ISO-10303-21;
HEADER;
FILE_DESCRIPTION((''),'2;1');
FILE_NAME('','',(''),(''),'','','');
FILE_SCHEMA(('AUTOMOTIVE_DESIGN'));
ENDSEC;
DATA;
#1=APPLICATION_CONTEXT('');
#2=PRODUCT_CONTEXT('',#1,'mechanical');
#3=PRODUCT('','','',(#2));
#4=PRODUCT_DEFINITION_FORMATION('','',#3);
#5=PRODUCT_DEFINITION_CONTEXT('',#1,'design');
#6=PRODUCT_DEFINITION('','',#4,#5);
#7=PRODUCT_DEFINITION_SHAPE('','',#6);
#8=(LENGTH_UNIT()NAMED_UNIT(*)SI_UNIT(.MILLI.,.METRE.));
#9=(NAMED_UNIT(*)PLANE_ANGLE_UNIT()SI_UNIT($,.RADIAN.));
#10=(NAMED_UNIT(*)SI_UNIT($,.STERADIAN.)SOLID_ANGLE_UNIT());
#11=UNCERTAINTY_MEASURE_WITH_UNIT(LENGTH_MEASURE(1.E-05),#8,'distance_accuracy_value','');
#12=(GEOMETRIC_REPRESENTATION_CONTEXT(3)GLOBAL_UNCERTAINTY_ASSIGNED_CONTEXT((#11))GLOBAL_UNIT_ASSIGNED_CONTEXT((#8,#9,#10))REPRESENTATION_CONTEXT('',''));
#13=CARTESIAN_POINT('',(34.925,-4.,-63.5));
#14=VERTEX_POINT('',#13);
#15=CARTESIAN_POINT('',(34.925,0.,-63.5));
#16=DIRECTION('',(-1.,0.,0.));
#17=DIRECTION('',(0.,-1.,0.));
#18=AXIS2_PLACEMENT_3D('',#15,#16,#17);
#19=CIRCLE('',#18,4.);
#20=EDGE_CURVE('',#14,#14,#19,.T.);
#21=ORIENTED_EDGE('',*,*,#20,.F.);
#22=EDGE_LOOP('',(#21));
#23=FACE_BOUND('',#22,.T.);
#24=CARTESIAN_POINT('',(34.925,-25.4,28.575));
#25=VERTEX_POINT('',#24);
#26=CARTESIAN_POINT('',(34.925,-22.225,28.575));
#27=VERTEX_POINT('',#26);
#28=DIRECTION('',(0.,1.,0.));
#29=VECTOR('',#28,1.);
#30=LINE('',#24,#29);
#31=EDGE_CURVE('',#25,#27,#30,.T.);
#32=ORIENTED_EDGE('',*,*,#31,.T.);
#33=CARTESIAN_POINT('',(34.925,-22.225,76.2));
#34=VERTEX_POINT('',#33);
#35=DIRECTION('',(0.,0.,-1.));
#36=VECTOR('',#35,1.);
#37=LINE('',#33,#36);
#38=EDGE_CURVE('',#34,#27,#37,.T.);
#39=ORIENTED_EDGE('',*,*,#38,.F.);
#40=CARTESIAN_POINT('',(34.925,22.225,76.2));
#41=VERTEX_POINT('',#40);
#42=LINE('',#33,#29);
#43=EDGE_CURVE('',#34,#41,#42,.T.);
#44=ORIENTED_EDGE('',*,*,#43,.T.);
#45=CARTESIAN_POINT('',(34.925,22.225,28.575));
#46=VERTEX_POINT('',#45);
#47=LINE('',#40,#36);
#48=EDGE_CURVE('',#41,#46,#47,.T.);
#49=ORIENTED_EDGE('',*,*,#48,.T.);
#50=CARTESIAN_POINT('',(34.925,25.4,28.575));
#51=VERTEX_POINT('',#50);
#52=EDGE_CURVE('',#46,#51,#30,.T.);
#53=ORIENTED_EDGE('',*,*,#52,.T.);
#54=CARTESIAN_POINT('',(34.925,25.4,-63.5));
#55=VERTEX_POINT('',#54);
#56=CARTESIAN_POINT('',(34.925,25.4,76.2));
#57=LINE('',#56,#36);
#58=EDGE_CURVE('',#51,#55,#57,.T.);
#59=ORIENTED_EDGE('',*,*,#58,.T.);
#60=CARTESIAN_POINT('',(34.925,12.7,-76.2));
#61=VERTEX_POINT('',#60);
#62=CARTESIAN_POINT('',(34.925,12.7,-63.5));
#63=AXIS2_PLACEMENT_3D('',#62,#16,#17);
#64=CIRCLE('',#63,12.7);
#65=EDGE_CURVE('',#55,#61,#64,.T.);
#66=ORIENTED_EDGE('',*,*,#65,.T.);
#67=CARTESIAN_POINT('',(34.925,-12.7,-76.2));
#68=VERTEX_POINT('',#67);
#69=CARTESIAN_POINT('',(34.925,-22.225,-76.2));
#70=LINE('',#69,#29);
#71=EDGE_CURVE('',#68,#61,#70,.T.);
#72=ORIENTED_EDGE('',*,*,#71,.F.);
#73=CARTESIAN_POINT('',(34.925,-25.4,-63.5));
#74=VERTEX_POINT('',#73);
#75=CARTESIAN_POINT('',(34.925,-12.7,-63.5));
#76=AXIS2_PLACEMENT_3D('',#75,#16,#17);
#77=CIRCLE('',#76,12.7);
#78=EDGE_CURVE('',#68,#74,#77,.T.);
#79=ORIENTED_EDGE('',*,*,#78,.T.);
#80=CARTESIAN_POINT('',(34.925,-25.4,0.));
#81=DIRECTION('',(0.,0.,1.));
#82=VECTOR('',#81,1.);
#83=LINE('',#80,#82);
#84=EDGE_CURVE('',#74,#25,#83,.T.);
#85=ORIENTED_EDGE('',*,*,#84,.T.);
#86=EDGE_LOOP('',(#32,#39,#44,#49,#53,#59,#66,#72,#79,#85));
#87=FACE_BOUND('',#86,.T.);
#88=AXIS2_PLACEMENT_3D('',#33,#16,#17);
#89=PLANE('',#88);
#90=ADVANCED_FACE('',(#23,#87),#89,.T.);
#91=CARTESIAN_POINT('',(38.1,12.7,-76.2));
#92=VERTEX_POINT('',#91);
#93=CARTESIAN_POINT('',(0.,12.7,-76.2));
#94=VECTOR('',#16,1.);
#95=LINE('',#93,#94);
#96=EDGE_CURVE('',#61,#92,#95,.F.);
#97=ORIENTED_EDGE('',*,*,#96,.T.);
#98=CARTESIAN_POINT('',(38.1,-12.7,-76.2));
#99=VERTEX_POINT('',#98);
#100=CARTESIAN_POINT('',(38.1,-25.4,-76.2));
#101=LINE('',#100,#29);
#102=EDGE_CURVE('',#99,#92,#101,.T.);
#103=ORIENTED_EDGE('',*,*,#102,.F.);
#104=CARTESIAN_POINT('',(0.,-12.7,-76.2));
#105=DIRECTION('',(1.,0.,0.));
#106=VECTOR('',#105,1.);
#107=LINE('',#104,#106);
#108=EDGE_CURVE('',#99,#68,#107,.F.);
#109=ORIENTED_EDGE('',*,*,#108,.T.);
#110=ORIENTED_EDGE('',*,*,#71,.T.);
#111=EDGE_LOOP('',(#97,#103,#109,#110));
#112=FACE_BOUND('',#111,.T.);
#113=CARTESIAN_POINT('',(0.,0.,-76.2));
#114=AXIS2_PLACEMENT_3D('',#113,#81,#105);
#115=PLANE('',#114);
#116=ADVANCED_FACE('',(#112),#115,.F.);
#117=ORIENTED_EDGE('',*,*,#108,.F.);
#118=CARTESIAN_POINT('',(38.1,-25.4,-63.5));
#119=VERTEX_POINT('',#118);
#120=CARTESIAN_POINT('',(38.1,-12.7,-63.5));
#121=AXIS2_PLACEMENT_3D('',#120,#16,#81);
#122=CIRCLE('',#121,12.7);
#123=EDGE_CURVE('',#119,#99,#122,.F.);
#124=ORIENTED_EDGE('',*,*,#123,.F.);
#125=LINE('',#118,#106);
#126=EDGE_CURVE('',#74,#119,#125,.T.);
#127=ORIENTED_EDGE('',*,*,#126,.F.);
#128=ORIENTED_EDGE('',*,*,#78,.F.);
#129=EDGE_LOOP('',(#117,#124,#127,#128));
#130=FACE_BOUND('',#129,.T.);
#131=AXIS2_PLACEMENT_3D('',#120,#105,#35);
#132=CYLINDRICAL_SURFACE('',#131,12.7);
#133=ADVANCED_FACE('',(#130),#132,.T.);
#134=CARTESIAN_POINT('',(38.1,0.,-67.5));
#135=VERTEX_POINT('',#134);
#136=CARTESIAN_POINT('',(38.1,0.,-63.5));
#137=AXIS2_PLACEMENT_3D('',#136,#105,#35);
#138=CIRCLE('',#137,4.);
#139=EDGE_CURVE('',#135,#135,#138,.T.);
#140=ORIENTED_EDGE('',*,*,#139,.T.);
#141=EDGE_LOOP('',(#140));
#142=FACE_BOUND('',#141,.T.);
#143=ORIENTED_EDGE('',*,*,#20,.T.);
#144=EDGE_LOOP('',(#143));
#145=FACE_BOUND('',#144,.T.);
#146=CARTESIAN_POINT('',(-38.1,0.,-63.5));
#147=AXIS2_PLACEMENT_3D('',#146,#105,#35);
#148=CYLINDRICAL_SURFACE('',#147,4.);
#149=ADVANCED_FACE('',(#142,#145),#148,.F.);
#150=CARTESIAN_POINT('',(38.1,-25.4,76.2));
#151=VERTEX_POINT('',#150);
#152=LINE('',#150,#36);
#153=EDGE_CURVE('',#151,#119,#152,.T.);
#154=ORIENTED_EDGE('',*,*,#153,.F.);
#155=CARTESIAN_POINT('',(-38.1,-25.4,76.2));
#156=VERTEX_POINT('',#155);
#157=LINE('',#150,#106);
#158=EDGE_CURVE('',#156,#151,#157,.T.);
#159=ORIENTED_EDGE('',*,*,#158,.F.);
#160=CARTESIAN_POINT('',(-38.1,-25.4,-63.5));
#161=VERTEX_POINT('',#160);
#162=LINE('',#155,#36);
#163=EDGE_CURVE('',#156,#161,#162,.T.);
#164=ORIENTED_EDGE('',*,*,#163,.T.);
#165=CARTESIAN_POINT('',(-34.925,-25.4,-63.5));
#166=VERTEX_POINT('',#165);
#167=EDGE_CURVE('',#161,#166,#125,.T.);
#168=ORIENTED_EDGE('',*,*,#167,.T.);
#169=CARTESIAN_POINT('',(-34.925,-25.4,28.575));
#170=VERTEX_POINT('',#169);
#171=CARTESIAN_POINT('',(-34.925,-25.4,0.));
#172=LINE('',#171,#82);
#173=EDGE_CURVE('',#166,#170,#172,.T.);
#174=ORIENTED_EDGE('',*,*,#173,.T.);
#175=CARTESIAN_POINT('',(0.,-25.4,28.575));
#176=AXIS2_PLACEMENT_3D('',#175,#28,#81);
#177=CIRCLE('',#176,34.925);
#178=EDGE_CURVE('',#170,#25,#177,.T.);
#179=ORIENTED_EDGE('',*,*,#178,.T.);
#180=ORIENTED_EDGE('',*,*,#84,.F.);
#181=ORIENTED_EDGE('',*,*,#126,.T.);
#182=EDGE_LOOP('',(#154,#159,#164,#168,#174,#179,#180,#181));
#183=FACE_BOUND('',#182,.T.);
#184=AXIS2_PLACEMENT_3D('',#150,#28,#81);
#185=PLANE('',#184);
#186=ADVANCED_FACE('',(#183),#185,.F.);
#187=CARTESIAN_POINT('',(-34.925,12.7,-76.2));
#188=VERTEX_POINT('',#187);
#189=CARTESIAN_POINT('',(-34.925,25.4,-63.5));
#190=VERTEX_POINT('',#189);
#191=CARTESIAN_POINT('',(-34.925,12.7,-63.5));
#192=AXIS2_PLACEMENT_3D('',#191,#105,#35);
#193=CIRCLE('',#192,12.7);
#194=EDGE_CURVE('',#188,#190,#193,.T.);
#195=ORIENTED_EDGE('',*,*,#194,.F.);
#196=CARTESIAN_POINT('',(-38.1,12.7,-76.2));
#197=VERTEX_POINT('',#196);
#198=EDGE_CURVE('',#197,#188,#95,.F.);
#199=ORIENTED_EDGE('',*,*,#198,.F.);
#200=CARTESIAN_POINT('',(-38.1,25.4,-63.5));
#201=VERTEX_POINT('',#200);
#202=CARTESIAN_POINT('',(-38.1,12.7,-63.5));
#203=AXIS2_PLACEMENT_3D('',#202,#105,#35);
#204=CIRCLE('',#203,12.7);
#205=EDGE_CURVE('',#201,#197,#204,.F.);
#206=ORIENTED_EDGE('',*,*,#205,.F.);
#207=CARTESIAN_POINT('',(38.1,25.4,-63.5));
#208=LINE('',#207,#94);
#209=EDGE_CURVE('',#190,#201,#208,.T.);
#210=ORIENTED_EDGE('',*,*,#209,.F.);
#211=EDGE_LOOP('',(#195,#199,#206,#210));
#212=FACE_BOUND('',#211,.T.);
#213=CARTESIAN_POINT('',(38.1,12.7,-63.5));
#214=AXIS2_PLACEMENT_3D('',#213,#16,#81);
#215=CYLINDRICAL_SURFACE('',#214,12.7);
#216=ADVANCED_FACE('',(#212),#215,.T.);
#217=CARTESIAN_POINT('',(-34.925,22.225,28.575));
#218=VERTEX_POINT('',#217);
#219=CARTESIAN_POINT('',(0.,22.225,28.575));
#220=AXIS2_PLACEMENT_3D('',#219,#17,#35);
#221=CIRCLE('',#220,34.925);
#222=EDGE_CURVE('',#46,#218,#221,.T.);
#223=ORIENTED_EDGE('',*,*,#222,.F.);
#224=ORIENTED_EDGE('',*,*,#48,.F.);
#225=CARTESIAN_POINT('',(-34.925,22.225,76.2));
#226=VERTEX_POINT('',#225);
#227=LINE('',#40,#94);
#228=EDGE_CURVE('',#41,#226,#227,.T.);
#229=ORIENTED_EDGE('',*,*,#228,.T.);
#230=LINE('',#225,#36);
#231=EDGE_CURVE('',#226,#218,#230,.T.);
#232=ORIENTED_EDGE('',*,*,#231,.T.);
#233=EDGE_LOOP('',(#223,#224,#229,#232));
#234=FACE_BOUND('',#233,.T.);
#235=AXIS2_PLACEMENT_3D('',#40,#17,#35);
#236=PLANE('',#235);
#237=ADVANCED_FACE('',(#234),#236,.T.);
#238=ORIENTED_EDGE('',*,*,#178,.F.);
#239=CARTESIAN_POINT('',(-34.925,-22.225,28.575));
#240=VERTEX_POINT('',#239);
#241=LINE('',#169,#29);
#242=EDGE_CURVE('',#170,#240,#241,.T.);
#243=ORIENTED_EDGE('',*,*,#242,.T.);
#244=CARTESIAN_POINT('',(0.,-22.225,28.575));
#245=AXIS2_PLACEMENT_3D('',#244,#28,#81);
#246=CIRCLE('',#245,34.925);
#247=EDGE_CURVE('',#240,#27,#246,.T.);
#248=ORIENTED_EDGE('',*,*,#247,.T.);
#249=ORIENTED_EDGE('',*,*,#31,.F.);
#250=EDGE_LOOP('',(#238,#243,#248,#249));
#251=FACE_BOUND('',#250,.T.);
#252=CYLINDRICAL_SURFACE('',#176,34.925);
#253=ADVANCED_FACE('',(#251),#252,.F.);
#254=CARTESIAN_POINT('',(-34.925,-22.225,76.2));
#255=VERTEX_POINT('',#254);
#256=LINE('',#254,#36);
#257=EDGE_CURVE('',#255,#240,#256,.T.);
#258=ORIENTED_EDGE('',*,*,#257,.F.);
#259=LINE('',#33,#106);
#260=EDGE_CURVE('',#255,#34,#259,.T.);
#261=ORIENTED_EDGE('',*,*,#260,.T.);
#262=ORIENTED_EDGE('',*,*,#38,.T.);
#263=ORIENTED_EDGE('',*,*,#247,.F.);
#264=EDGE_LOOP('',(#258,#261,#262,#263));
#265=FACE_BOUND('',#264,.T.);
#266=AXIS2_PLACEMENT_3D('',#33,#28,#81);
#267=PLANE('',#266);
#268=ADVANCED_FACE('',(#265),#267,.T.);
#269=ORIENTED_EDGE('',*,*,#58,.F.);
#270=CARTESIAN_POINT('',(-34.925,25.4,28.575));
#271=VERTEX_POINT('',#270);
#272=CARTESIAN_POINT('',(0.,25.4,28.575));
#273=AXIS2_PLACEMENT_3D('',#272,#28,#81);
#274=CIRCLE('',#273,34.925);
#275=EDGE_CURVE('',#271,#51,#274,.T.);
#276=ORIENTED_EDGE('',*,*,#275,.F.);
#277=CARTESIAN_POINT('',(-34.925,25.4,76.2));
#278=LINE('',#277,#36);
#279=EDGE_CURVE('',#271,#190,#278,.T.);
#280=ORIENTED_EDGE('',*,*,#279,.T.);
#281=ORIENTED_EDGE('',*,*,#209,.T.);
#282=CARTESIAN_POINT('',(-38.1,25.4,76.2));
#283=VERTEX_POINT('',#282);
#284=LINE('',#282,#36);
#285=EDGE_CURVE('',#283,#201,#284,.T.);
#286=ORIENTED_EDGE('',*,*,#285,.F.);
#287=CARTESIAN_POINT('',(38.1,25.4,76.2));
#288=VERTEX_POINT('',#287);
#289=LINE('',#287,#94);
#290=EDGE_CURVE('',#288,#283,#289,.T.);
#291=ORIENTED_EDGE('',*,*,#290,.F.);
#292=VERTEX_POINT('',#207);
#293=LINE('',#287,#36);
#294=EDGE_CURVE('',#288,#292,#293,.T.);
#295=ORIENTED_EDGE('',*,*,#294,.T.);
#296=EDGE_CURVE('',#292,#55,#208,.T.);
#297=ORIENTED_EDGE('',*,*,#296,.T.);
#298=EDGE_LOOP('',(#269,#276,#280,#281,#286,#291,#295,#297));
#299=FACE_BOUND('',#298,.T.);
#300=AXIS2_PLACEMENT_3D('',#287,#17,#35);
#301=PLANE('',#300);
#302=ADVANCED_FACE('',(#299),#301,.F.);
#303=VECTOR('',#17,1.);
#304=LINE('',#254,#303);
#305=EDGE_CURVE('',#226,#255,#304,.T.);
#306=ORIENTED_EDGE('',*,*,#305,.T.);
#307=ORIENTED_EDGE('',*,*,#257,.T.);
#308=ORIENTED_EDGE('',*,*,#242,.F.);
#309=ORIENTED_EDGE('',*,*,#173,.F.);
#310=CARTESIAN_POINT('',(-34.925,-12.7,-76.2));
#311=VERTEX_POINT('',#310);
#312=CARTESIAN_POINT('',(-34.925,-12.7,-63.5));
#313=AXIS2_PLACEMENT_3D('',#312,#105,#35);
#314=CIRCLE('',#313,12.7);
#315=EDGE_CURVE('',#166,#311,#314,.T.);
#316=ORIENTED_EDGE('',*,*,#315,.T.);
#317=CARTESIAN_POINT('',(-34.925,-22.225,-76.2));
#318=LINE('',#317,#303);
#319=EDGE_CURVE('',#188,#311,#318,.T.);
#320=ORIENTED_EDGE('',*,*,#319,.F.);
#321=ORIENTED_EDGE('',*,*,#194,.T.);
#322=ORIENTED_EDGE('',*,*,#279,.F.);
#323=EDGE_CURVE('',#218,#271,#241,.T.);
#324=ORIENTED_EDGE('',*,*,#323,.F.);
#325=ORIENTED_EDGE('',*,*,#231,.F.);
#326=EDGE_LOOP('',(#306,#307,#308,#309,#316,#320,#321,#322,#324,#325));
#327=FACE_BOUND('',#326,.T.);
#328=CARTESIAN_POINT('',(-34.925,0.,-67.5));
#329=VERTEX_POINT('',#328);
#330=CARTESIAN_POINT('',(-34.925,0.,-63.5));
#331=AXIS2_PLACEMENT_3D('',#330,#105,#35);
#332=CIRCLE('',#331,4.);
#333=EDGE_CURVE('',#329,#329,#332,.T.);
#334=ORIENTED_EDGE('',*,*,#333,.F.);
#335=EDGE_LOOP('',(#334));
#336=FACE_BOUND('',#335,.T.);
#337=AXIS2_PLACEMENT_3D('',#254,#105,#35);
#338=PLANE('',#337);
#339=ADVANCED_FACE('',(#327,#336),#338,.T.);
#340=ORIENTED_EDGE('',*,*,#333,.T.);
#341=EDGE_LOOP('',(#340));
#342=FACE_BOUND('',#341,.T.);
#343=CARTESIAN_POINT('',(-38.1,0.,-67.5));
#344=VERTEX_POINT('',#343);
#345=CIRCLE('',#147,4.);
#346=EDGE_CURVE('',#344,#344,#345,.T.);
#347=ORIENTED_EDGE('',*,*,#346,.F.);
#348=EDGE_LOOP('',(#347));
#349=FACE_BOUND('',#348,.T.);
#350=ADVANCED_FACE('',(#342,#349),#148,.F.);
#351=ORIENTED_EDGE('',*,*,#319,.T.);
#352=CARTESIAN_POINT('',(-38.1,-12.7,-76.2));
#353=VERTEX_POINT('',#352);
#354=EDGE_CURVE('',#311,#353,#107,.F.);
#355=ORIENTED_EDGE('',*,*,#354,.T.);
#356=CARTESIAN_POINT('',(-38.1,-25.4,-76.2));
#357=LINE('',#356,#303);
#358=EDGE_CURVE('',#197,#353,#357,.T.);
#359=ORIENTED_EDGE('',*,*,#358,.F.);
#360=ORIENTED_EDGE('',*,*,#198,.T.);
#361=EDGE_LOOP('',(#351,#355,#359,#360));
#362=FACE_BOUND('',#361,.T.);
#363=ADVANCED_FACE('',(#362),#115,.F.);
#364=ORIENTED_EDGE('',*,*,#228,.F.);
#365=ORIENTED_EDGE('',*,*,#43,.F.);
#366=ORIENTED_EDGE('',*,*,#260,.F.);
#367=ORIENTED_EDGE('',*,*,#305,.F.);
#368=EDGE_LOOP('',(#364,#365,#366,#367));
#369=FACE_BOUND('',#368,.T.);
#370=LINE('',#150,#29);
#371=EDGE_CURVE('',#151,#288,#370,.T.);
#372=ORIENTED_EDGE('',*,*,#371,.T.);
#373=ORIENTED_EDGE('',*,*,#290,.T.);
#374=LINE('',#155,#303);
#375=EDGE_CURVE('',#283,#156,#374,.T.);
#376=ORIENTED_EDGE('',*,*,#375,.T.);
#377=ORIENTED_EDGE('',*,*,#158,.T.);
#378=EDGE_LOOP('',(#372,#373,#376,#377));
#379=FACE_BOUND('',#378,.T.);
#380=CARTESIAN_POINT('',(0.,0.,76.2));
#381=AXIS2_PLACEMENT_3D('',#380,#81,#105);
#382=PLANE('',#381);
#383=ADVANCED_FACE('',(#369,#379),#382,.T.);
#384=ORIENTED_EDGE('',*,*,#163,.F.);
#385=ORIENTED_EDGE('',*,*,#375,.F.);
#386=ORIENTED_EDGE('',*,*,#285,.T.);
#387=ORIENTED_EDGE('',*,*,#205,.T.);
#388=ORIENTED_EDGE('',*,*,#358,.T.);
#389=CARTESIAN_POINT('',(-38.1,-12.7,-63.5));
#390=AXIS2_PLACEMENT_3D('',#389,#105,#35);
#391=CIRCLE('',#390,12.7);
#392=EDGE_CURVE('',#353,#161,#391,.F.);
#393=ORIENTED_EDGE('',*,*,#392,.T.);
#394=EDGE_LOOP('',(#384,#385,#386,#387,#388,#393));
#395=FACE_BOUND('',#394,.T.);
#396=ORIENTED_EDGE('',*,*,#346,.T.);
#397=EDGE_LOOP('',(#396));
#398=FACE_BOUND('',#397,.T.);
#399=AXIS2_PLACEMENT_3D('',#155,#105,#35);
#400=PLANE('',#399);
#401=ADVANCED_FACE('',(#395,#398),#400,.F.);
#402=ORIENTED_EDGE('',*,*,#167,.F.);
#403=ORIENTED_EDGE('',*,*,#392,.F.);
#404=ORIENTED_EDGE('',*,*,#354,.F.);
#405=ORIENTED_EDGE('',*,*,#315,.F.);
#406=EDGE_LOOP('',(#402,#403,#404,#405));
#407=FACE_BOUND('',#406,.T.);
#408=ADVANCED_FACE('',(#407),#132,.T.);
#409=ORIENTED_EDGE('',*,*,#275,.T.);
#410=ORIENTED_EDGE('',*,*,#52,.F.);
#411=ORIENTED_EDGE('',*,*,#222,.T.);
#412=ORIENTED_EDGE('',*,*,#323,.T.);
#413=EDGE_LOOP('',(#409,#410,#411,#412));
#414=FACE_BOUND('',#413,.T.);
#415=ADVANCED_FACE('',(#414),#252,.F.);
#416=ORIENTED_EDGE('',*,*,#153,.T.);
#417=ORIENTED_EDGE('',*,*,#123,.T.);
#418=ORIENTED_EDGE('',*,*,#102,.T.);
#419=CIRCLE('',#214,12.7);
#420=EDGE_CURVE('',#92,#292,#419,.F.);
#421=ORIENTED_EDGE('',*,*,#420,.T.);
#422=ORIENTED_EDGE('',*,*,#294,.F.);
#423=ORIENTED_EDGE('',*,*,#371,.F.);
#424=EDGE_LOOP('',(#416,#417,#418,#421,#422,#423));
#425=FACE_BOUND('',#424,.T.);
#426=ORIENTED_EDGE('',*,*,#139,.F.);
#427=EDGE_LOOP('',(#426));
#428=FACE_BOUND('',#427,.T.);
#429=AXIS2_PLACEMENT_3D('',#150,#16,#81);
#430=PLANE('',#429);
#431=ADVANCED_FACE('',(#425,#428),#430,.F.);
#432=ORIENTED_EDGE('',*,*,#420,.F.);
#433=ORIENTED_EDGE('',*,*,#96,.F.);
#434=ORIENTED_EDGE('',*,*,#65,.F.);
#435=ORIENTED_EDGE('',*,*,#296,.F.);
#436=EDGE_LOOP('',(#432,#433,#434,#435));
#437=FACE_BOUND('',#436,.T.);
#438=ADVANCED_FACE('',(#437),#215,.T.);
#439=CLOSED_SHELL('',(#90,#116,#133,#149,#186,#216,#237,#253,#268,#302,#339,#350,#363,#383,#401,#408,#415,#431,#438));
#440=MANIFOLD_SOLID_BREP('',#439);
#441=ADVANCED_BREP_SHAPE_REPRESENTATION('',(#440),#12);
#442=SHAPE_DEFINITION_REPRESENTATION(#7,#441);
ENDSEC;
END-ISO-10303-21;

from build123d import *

# Parameters (mm, degrees)
BOSS_EXTRUDE1_DEPTH      = 76.2
BOSS_EXTRUDE1_DEPTH_BACK = 76.2
SKETCH3_W                = 76.2
SKETCH3_H                = 50.8
SKETCH3_W_2              = 69.85
SKETCH3_H_2              = 44.45
CUT_EXTRUDE1_DEPTH       = 100.190170884
CUT_EXTRUDE1_DEPTH_BACK  = 100.190170884
SKETCH7_R                = 4
CUT_EXTRUDE2_DEPTH       = 111.716033166
FILLET1_R                = 12.7


with BuildPart() as part:
    # Sketch3 → Boss-Extrude1 (new, two sides: drawn at the far end of the back side and taken through both)
    with BuildSketch(Plane.XY.offset(-BOSS_EXTRUDE1_DEPTH_BACK)):
        Rectangle(SKETCH3_W, SKETCH3_H)
        Rectangle(SKETCH3_W_2, SKETCH3_H_2, mode=Mode.SUBTRACT)
    extrude(amount=BOSS_EXTRUDE1_DEPTH + BOSS_EXTRUDE1_DEPTH_BACK)

    # Sketch6 → Cut-Extrude1 (cut, two sides: drawn at the far end of the back side and taken through both)
    with BuildSketch(Plane(origin=(0, 25.4, 0), x_dir=(1, 0, 0), z_dir=(0, 1, 0)).offset(-CUT_EXTRUDE1_DEPTH_BACK)):
        with BuildLine():
            Line((34.925, 76.2), (-34.925, 76.2))
            Line((-34.925, 76.2), (-34.925, -28.575))
            ThreePointArc((-34.925, -28.575), (0, -63.5), (34.925, -28.575))
            Line((34.925, -28.575), (34.925, 76.2))
        make_face()
    extrude(amount=CUT_EXTRUDE1_DEPTH + CUT_EXTRUDE1_DEPTH_BACK, mode=Mode.SUBTRACT)

    # Sketch7 → Cut-Extrude2 (cut, through all)
    with BuildSketch(Plane(origin=(38.1, 0, 0), x_dir=(0, 0, -1), z_dir=(1, 0, 0))):
        with Locations((63.5, 0)):
            Circle(SKETCH7_R)
    extrude(amount=-CUT_EXTRUDE2_DEPTH, mode=Mode.SUBTRACT)

    # Fillet1
    fillet1_edges = [part.edges().sort_by_distance(p)[0] for p in [
        (36.5125, 25.4, -76.2),
        (-36.5125, -25.4, -76.2),
        (-36.5125, 25.4, -76.2),
        (36.5125, -25.4, -76.2),
    ]]
    fillet(fillet1_edges, radius=FILLET1_R)


solid = part.part
